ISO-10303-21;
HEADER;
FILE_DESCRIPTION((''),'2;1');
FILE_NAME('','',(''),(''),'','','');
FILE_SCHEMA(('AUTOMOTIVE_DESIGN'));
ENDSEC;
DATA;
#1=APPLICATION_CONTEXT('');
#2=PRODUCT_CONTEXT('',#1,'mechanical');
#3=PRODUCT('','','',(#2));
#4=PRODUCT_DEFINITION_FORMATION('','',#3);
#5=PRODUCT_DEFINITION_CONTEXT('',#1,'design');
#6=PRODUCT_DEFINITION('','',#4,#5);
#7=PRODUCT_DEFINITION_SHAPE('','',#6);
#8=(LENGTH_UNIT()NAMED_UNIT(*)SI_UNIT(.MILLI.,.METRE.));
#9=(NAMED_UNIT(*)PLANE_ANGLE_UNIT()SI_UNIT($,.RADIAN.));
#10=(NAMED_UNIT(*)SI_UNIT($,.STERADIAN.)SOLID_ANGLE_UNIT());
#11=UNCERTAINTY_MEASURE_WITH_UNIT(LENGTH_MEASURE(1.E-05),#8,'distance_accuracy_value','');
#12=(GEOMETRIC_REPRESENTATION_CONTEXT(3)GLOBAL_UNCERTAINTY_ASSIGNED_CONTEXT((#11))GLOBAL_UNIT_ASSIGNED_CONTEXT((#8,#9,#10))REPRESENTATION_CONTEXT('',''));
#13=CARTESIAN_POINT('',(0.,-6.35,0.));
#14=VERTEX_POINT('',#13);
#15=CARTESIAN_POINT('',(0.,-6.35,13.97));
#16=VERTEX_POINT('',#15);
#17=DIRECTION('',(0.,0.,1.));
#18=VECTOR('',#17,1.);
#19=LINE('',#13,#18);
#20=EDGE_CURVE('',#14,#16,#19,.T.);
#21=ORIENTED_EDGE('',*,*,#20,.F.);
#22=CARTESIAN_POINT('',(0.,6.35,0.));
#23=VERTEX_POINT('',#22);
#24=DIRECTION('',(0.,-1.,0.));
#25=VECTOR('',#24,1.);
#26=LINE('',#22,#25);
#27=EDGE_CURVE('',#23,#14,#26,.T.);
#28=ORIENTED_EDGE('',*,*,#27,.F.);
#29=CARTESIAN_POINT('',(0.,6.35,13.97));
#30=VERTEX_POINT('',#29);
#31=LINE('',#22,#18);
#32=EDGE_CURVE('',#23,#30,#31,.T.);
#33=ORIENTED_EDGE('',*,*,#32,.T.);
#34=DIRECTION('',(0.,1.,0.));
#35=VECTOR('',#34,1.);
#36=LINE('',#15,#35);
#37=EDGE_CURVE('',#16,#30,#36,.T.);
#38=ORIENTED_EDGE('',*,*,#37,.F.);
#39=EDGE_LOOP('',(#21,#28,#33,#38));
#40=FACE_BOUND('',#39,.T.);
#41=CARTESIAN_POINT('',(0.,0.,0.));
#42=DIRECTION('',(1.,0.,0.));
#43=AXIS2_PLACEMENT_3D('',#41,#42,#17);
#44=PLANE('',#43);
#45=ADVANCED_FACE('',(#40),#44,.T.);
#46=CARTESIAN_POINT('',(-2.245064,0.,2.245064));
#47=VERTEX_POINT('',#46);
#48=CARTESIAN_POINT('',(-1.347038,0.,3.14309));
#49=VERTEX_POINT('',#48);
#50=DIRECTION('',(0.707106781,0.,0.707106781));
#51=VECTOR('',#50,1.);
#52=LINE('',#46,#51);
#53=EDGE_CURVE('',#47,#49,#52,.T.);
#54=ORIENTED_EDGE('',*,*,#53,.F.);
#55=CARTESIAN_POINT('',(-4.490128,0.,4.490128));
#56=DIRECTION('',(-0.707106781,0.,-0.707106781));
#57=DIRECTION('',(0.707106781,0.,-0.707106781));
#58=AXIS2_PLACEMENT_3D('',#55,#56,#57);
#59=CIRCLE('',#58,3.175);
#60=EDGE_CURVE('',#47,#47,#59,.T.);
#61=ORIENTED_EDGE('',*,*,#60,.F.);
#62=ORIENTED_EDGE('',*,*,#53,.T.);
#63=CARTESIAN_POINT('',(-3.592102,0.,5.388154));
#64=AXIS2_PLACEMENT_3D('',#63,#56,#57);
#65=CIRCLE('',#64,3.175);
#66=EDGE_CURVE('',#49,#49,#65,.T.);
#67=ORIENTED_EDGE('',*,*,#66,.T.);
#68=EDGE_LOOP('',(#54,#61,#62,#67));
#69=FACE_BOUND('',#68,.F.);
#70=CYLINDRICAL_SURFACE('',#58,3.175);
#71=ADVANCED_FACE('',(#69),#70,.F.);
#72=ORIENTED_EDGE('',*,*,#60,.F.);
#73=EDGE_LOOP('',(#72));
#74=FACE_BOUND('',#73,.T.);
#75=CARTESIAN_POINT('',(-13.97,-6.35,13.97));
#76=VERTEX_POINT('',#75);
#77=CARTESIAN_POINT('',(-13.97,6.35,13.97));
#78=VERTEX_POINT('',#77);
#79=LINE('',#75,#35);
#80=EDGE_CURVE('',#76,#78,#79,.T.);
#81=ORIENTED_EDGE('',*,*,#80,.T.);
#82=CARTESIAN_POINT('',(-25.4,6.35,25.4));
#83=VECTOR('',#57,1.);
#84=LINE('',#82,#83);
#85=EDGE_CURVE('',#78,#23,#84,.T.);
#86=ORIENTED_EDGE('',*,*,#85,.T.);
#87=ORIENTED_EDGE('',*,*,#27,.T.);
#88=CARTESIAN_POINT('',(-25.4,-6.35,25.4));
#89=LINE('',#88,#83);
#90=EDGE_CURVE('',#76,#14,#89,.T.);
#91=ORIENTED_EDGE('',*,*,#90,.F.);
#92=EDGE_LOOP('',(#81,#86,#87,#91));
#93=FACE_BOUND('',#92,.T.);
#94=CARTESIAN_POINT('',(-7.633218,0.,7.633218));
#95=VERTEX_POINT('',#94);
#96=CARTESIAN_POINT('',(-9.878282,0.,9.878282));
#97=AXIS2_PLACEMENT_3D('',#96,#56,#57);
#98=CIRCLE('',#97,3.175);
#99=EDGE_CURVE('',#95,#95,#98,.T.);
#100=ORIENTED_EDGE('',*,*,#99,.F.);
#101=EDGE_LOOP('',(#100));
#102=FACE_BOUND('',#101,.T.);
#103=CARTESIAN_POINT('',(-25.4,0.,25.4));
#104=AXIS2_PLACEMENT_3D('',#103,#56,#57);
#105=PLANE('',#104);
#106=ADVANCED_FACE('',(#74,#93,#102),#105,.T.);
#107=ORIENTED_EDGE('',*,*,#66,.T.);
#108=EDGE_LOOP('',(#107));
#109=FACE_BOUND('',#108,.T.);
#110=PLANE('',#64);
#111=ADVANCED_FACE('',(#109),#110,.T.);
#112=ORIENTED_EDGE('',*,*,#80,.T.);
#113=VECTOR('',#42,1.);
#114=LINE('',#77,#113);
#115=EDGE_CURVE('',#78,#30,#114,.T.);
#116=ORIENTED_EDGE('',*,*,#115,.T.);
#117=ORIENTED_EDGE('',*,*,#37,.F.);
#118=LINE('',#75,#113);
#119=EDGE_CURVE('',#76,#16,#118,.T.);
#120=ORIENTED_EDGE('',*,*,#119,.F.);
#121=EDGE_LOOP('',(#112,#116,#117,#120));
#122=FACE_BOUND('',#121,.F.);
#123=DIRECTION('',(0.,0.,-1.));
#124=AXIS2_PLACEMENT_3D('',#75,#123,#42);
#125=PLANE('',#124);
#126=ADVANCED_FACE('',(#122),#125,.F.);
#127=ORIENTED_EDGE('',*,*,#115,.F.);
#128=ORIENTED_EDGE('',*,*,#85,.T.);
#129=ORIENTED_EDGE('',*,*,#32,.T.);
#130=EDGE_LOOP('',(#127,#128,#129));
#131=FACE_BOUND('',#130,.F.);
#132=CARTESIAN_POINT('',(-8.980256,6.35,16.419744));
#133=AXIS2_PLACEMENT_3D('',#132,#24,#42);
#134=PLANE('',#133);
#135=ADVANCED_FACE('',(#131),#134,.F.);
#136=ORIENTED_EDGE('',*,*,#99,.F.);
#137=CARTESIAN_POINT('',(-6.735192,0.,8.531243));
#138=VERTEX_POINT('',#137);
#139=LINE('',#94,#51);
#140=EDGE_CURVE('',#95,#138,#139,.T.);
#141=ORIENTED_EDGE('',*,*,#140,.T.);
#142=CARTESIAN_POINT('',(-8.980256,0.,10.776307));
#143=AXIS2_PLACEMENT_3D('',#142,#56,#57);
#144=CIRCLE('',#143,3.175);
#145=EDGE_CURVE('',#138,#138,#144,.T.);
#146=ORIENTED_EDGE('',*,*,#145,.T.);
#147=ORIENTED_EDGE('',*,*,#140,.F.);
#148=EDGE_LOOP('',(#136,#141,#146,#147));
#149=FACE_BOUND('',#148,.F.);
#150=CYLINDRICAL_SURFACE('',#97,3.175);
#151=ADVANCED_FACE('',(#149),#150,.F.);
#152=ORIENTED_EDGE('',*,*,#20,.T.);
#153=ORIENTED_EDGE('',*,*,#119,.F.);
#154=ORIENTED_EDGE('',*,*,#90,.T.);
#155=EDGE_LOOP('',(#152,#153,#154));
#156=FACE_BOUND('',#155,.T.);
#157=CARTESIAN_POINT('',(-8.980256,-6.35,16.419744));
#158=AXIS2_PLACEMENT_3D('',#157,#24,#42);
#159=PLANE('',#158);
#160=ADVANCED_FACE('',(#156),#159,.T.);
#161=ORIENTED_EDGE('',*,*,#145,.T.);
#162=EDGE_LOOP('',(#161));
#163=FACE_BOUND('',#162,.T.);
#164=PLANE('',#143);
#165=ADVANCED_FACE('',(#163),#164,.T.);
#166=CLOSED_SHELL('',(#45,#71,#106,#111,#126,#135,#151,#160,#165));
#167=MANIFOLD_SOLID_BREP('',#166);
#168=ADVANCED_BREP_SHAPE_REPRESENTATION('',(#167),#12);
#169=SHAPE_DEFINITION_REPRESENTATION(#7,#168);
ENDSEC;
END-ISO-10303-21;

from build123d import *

# Parameters (mm, degrees)
F1_DEPTH = 6.35
F2_R     = 3.175
F3_DEPTH = 1.27
F5_DEPTH = 12.7


with BuildPart() as f1:
    # F0 (on Front) → F1 (new body, symmetric)
    with BuildSketch(Plane.XZ):
        Polygon((-25.4, 25.4), (0, 0), (0, 25.4), align=None)
    extrude(amount=F1_DEPTH, both=True)

    # F2 (on face) → F3 (cut)
    with BuildSketch(Plane(origin=(0, 0, 0), x_dir=(0.7071067812, 0, -0.7071067812), z_dir=(-0.7071067812, 0, -0.7071067812))):
        with Locations((-13.97, 0)):
            Circle(F2_R)
        with Locations((-6.35, 0)):
            Circle(F2_R)
    extrude(amount=-F3_DEPTH, mode=Mode.SUBTRACT)

    # F4 (on face) → F5 (cut)
    with BuildSketch(Plane.XZ.offset(6.35)):
        Polygon((-25.4, 25.4), (-13.97, 13.97), (0, 13.97), (0, 25.4), align=None)
    extrude(amount=-F5_DEPTH, mode=Mode.SUBTRACT)


solid = f1.part
